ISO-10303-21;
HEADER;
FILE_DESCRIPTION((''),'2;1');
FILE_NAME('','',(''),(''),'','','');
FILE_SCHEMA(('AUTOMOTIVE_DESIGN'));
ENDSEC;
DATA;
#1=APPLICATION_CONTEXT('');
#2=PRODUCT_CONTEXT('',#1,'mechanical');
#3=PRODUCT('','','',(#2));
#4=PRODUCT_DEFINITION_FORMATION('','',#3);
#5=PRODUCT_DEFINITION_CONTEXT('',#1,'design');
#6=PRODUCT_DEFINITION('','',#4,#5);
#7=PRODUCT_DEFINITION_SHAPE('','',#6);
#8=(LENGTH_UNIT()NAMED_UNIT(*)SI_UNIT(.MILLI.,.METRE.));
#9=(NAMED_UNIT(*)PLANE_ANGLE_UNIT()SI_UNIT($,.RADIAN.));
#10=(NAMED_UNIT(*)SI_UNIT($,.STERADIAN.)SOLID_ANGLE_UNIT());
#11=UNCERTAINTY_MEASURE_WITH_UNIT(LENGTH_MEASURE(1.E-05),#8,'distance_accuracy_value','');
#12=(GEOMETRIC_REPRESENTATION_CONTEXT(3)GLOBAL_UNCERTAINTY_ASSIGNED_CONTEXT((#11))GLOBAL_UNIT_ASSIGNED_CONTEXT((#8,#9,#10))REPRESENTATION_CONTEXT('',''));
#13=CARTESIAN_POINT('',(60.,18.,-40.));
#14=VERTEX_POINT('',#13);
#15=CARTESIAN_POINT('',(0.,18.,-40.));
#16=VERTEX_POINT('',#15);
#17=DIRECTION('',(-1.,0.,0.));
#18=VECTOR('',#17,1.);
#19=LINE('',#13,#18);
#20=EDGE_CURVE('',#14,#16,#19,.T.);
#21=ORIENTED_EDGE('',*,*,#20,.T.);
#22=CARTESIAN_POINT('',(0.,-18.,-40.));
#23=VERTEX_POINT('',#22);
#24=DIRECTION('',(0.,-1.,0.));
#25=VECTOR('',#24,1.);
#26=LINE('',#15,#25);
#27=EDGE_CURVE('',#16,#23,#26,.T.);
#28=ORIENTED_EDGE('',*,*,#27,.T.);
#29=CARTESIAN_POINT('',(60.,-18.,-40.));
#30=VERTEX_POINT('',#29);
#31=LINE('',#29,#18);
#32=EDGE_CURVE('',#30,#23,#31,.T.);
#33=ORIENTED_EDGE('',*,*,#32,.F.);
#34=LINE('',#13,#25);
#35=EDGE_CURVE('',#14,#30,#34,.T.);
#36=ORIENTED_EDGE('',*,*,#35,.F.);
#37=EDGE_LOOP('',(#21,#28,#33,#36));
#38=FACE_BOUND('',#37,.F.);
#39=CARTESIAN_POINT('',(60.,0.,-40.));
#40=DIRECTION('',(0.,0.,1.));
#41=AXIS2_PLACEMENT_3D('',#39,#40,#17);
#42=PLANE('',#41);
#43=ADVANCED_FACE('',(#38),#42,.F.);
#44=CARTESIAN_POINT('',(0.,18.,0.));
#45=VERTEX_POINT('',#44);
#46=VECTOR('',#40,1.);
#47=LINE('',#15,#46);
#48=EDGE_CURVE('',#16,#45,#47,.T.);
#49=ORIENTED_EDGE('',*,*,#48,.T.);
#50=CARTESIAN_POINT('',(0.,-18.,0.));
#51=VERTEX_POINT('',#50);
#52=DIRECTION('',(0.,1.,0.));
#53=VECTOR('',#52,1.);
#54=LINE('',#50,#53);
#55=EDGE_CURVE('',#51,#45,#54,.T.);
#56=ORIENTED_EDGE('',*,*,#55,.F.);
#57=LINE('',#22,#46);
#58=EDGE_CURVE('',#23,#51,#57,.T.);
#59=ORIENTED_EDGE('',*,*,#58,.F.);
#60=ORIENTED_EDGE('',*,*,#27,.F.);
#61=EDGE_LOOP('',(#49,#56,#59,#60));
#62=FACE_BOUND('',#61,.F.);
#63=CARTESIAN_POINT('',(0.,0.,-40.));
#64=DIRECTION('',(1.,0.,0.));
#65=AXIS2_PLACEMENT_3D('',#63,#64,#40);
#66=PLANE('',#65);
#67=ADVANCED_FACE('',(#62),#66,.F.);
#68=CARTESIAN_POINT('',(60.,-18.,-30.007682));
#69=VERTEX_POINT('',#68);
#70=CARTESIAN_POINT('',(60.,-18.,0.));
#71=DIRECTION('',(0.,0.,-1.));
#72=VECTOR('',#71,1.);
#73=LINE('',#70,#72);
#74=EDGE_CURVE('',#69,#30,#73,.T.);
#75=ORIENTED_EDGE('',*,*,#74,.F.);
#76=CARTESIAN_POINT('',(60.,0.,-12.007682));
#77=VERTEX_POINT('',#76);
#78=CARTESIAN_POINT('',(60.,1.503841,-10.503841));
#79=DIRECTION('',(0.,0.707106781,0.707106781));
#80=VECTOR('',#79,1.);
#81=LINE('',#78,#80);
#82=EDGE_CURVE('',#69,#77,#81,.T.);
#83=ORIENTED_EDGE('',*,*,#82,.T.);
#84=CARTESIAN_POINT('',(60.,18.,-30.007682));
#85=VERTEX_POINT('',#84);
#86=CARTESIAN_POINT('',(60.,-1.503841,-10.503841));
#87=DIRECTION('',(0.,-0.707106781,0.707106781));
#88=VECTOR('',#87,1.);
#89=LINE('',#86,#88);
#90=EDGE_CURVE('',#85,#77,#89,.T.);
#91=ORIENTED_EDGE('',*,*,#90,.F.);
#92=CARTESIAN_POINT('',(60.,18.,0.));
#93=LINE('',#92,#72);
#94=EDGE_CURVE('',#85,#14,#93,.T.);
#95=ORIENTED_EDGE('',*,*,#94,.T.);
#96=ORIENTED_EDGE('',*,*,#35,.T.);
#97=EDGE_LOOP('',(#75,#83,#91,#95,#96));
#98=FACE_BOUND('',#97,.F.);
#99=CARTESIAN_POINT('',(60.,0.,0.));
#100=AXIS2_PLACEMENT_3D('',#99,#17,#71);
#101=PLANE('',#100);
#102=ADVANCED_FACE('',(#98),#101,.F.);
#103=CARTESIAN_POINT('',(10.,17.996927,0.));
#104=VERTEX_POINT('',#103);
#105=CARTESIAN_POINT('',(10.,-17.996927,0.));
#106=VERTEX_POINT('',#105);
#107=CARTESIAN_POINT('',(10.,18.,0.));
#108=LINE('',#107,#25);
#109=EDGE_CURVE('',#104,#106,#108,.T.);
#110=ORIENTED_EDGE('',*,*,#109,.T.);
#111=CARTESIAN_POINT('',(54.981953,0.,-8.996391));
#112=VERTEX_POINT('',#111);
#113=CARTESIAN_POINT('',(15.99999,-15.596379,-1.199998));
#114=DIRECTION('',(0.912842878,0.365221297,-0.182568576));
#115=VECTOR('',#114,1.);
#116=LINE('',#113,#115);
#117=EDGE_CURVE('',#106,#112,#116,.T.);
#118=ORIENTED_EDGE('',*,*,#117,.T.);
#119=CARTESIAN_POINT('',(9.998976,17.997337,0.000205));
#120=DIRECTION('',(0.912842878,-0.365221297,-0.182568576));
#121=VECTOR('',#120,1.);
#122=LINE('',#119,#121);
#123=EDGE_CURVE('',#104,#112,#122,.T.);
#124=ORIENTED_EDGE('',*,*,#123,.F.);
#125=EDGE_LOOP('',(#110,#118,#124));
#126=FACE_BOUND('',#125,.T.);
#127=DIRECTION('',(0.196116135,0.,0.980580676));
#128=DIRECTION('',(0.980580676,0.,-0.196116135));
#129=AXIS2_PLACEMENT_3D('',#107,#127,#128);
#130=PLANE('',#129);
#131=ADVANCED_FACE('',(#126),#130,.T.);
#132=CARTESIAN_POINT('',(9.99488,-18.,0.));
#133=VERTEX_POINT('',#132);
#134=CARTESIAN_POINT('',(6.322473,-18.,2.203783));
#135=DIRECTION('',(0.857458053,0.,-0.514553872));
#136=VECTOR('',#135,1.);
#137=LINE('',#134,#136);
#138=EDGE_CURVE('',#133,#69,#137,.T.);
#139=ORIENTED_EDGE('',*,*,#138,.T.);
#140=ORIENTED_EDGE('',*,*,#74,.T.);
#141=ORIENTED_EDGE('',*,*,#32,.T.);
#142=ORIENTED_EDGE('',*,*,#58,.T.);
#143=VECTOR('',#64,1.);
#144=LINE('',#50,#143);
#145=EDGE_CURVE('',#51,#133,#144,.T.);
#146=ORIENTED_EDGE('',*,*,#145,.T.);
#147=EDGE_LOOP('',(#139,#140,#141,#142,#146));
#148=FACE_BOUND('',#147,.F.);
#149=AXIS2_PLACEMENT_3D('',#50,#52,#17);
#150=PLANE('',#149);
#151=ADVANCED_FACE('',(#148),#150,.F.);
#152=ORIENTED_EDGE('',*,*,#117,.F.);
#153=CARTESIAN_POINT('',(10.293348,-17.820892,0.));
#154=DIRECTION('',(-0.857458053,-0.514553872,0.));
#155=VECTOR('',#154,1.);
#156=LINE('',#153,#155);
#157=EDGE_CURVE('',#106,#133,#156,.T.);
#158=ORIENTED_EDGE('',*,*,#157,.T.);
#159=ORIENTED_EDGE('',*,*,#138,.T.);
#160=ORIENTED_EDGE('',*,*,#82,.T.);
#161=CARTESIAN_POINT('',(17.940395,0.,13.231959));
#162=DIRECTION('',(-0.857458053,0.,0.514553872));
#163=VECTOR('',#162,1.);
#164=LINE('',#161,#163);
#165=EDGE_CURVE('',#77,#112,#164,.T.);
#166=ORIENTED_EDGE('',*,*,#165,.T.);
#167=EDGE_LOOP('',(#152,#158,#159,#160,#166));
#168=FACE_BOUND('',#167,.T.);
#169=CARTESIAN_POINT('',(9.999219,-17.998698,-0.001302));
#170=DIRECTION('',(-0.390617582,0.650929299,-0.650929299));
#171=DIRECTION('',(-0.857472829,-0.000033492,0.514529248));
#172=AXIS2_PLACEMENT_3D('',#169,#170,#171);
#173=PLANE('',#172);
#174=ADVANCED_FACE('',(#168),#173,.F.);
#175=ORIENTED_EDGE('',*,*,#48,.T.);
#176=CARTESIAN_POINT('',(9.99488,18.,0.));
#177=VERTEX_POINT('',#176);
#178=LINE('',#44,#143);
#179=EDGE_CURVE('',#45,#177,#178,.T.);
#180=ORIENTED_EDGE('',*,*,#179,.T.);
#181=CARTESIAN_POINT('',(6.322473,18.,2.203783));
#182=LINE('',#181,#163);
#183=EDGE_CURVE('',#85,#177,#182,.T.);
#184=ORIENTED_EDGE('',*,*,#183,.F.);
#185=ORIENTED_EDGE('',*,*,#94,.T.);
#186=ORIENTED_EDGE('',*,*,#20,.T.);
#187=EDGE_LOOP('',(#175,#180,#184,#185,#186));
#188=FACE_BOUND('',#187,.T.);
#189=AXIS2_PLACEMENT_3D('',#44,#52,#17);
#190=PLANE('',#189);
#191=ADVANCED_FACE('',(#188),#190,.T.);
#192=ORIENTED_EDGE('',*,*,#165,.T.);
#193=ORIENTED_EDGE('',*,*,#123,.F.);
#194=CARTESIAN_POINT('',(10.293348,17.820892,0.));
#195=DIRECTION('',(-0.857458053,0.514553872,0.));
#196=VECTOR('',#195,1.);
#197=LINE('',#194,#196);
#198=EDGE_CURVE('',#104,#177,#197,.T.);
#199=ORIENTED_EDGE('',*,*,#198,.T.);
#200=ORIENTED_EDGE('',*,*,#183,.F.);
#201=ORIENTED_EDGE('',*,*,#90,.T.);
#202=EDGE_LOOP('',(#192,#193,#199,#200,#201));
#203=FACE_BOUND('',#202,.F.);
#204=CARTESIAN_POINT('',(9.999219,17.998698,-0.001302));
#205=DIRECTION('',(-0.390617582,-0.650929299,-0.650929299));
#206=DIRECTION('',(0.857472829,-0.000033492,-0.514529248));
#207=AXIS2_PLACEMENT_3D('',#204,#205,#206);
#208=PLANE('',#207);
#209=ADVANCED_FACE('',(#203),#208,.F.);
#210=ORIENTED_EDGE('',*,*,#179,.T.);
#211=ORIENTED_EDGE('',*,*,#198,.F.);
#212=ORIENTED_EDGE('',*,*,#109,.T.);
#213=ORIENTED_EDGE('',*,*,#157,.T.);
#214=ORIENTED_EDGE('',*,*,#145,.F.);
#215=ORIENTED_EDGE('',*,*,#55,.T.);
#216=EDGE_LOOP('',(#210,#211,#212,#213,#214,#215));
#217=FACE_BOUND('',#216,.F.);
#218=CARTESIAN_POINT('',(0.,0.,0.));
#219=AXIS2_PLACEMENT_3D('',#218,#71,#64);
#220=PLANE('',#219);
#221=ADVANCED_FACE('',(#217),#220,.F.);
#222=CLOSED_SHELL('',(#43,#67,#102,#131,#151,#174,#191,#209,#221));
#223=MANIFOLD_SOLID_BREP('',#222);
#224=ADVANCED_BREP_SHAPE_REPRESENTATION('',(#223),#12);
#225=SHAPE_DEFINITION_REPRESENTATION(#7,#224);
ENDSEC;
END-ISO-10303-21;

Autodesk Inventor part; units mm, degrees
ref_plane "YZ Plane" through (0, 0, 0) normal (1, 0, 0) x (0, 1, 0)
ref_plane "XZ Plane" through (0, 0, 0) normal (0, 1, 0) x (-1, 0, 0)
sketch "草圖1" plane through (0, 0, 0) normal (0, 1, 0) x (-1, 0, 0)
  line L0 (0, 0) -> (-60, 0)
  line L1 (-60, 0) -> (-60, -40)
  line L2 (-60, -40) -> (0, -40)
  line L3 (0, -40) -> (0, 0)
  dimension "d0" = 60
  dimension "d1" = 40
extrude "擠出1" add sketch "草圖1" along normal mid plane 36
sketch "草圖2" plane through (0, 18, 0) normal (0, 1, 0) x (1, 0, 0)
  line L0 (0, 0) -> (60, 0) projected
  line L1 (10, 0) -> (60, 10)
  line L2 (60, 0) -> (60, 40) projected
  dimension "d4" = 10
  dimension "d5" = 30
extrude "擠出2" cut sketch "草圖2" against normal blind 40
sketch "草圖3" plane through (60, -18, -40) normal (1, 0, 0) x (0, 0, -1)
  line L0 (-30, 16) -> (-10, 36)
  line L1 (0, 36) -> (-40, 36) projected
  line L2 (-30, 36) -> (-30, 0) projected
  point P0 (-40, 18)
  dimension "d8" = 20
  dimension "d9" = 20
ref_plane "工作平面1" through (10, 18, 0) normal (-0.3906, -0.6509, -0.6509) x (0.8575, 0, -0.5145)
sketch "草圖4" plane through (10, 18, 0) normal (-0.3906, -0.6509, -0.6509) x (0.8575, 0, -0.5145)
  line L0 (-15.1543, -12.3218) -> (93.717, -12.3218)
  line L1 (93.717, -12.3218) -> (93.717, 28.8166)
  line L2 (93.717, 28.8166) -> (-15.1543, 28.8166)
  line L3 (-15.1543, 28.8166) -> (-15.1543, -12.3218)
  point P0 (-8.5749, 10.3152)
extrude "擠出3" cut sketch "草圖4" against normal blind 40
mirror "鏡射1" about plane through (0, 0, 0) normal (0, 1, 0) of "擠出3"
properties part number "13"
